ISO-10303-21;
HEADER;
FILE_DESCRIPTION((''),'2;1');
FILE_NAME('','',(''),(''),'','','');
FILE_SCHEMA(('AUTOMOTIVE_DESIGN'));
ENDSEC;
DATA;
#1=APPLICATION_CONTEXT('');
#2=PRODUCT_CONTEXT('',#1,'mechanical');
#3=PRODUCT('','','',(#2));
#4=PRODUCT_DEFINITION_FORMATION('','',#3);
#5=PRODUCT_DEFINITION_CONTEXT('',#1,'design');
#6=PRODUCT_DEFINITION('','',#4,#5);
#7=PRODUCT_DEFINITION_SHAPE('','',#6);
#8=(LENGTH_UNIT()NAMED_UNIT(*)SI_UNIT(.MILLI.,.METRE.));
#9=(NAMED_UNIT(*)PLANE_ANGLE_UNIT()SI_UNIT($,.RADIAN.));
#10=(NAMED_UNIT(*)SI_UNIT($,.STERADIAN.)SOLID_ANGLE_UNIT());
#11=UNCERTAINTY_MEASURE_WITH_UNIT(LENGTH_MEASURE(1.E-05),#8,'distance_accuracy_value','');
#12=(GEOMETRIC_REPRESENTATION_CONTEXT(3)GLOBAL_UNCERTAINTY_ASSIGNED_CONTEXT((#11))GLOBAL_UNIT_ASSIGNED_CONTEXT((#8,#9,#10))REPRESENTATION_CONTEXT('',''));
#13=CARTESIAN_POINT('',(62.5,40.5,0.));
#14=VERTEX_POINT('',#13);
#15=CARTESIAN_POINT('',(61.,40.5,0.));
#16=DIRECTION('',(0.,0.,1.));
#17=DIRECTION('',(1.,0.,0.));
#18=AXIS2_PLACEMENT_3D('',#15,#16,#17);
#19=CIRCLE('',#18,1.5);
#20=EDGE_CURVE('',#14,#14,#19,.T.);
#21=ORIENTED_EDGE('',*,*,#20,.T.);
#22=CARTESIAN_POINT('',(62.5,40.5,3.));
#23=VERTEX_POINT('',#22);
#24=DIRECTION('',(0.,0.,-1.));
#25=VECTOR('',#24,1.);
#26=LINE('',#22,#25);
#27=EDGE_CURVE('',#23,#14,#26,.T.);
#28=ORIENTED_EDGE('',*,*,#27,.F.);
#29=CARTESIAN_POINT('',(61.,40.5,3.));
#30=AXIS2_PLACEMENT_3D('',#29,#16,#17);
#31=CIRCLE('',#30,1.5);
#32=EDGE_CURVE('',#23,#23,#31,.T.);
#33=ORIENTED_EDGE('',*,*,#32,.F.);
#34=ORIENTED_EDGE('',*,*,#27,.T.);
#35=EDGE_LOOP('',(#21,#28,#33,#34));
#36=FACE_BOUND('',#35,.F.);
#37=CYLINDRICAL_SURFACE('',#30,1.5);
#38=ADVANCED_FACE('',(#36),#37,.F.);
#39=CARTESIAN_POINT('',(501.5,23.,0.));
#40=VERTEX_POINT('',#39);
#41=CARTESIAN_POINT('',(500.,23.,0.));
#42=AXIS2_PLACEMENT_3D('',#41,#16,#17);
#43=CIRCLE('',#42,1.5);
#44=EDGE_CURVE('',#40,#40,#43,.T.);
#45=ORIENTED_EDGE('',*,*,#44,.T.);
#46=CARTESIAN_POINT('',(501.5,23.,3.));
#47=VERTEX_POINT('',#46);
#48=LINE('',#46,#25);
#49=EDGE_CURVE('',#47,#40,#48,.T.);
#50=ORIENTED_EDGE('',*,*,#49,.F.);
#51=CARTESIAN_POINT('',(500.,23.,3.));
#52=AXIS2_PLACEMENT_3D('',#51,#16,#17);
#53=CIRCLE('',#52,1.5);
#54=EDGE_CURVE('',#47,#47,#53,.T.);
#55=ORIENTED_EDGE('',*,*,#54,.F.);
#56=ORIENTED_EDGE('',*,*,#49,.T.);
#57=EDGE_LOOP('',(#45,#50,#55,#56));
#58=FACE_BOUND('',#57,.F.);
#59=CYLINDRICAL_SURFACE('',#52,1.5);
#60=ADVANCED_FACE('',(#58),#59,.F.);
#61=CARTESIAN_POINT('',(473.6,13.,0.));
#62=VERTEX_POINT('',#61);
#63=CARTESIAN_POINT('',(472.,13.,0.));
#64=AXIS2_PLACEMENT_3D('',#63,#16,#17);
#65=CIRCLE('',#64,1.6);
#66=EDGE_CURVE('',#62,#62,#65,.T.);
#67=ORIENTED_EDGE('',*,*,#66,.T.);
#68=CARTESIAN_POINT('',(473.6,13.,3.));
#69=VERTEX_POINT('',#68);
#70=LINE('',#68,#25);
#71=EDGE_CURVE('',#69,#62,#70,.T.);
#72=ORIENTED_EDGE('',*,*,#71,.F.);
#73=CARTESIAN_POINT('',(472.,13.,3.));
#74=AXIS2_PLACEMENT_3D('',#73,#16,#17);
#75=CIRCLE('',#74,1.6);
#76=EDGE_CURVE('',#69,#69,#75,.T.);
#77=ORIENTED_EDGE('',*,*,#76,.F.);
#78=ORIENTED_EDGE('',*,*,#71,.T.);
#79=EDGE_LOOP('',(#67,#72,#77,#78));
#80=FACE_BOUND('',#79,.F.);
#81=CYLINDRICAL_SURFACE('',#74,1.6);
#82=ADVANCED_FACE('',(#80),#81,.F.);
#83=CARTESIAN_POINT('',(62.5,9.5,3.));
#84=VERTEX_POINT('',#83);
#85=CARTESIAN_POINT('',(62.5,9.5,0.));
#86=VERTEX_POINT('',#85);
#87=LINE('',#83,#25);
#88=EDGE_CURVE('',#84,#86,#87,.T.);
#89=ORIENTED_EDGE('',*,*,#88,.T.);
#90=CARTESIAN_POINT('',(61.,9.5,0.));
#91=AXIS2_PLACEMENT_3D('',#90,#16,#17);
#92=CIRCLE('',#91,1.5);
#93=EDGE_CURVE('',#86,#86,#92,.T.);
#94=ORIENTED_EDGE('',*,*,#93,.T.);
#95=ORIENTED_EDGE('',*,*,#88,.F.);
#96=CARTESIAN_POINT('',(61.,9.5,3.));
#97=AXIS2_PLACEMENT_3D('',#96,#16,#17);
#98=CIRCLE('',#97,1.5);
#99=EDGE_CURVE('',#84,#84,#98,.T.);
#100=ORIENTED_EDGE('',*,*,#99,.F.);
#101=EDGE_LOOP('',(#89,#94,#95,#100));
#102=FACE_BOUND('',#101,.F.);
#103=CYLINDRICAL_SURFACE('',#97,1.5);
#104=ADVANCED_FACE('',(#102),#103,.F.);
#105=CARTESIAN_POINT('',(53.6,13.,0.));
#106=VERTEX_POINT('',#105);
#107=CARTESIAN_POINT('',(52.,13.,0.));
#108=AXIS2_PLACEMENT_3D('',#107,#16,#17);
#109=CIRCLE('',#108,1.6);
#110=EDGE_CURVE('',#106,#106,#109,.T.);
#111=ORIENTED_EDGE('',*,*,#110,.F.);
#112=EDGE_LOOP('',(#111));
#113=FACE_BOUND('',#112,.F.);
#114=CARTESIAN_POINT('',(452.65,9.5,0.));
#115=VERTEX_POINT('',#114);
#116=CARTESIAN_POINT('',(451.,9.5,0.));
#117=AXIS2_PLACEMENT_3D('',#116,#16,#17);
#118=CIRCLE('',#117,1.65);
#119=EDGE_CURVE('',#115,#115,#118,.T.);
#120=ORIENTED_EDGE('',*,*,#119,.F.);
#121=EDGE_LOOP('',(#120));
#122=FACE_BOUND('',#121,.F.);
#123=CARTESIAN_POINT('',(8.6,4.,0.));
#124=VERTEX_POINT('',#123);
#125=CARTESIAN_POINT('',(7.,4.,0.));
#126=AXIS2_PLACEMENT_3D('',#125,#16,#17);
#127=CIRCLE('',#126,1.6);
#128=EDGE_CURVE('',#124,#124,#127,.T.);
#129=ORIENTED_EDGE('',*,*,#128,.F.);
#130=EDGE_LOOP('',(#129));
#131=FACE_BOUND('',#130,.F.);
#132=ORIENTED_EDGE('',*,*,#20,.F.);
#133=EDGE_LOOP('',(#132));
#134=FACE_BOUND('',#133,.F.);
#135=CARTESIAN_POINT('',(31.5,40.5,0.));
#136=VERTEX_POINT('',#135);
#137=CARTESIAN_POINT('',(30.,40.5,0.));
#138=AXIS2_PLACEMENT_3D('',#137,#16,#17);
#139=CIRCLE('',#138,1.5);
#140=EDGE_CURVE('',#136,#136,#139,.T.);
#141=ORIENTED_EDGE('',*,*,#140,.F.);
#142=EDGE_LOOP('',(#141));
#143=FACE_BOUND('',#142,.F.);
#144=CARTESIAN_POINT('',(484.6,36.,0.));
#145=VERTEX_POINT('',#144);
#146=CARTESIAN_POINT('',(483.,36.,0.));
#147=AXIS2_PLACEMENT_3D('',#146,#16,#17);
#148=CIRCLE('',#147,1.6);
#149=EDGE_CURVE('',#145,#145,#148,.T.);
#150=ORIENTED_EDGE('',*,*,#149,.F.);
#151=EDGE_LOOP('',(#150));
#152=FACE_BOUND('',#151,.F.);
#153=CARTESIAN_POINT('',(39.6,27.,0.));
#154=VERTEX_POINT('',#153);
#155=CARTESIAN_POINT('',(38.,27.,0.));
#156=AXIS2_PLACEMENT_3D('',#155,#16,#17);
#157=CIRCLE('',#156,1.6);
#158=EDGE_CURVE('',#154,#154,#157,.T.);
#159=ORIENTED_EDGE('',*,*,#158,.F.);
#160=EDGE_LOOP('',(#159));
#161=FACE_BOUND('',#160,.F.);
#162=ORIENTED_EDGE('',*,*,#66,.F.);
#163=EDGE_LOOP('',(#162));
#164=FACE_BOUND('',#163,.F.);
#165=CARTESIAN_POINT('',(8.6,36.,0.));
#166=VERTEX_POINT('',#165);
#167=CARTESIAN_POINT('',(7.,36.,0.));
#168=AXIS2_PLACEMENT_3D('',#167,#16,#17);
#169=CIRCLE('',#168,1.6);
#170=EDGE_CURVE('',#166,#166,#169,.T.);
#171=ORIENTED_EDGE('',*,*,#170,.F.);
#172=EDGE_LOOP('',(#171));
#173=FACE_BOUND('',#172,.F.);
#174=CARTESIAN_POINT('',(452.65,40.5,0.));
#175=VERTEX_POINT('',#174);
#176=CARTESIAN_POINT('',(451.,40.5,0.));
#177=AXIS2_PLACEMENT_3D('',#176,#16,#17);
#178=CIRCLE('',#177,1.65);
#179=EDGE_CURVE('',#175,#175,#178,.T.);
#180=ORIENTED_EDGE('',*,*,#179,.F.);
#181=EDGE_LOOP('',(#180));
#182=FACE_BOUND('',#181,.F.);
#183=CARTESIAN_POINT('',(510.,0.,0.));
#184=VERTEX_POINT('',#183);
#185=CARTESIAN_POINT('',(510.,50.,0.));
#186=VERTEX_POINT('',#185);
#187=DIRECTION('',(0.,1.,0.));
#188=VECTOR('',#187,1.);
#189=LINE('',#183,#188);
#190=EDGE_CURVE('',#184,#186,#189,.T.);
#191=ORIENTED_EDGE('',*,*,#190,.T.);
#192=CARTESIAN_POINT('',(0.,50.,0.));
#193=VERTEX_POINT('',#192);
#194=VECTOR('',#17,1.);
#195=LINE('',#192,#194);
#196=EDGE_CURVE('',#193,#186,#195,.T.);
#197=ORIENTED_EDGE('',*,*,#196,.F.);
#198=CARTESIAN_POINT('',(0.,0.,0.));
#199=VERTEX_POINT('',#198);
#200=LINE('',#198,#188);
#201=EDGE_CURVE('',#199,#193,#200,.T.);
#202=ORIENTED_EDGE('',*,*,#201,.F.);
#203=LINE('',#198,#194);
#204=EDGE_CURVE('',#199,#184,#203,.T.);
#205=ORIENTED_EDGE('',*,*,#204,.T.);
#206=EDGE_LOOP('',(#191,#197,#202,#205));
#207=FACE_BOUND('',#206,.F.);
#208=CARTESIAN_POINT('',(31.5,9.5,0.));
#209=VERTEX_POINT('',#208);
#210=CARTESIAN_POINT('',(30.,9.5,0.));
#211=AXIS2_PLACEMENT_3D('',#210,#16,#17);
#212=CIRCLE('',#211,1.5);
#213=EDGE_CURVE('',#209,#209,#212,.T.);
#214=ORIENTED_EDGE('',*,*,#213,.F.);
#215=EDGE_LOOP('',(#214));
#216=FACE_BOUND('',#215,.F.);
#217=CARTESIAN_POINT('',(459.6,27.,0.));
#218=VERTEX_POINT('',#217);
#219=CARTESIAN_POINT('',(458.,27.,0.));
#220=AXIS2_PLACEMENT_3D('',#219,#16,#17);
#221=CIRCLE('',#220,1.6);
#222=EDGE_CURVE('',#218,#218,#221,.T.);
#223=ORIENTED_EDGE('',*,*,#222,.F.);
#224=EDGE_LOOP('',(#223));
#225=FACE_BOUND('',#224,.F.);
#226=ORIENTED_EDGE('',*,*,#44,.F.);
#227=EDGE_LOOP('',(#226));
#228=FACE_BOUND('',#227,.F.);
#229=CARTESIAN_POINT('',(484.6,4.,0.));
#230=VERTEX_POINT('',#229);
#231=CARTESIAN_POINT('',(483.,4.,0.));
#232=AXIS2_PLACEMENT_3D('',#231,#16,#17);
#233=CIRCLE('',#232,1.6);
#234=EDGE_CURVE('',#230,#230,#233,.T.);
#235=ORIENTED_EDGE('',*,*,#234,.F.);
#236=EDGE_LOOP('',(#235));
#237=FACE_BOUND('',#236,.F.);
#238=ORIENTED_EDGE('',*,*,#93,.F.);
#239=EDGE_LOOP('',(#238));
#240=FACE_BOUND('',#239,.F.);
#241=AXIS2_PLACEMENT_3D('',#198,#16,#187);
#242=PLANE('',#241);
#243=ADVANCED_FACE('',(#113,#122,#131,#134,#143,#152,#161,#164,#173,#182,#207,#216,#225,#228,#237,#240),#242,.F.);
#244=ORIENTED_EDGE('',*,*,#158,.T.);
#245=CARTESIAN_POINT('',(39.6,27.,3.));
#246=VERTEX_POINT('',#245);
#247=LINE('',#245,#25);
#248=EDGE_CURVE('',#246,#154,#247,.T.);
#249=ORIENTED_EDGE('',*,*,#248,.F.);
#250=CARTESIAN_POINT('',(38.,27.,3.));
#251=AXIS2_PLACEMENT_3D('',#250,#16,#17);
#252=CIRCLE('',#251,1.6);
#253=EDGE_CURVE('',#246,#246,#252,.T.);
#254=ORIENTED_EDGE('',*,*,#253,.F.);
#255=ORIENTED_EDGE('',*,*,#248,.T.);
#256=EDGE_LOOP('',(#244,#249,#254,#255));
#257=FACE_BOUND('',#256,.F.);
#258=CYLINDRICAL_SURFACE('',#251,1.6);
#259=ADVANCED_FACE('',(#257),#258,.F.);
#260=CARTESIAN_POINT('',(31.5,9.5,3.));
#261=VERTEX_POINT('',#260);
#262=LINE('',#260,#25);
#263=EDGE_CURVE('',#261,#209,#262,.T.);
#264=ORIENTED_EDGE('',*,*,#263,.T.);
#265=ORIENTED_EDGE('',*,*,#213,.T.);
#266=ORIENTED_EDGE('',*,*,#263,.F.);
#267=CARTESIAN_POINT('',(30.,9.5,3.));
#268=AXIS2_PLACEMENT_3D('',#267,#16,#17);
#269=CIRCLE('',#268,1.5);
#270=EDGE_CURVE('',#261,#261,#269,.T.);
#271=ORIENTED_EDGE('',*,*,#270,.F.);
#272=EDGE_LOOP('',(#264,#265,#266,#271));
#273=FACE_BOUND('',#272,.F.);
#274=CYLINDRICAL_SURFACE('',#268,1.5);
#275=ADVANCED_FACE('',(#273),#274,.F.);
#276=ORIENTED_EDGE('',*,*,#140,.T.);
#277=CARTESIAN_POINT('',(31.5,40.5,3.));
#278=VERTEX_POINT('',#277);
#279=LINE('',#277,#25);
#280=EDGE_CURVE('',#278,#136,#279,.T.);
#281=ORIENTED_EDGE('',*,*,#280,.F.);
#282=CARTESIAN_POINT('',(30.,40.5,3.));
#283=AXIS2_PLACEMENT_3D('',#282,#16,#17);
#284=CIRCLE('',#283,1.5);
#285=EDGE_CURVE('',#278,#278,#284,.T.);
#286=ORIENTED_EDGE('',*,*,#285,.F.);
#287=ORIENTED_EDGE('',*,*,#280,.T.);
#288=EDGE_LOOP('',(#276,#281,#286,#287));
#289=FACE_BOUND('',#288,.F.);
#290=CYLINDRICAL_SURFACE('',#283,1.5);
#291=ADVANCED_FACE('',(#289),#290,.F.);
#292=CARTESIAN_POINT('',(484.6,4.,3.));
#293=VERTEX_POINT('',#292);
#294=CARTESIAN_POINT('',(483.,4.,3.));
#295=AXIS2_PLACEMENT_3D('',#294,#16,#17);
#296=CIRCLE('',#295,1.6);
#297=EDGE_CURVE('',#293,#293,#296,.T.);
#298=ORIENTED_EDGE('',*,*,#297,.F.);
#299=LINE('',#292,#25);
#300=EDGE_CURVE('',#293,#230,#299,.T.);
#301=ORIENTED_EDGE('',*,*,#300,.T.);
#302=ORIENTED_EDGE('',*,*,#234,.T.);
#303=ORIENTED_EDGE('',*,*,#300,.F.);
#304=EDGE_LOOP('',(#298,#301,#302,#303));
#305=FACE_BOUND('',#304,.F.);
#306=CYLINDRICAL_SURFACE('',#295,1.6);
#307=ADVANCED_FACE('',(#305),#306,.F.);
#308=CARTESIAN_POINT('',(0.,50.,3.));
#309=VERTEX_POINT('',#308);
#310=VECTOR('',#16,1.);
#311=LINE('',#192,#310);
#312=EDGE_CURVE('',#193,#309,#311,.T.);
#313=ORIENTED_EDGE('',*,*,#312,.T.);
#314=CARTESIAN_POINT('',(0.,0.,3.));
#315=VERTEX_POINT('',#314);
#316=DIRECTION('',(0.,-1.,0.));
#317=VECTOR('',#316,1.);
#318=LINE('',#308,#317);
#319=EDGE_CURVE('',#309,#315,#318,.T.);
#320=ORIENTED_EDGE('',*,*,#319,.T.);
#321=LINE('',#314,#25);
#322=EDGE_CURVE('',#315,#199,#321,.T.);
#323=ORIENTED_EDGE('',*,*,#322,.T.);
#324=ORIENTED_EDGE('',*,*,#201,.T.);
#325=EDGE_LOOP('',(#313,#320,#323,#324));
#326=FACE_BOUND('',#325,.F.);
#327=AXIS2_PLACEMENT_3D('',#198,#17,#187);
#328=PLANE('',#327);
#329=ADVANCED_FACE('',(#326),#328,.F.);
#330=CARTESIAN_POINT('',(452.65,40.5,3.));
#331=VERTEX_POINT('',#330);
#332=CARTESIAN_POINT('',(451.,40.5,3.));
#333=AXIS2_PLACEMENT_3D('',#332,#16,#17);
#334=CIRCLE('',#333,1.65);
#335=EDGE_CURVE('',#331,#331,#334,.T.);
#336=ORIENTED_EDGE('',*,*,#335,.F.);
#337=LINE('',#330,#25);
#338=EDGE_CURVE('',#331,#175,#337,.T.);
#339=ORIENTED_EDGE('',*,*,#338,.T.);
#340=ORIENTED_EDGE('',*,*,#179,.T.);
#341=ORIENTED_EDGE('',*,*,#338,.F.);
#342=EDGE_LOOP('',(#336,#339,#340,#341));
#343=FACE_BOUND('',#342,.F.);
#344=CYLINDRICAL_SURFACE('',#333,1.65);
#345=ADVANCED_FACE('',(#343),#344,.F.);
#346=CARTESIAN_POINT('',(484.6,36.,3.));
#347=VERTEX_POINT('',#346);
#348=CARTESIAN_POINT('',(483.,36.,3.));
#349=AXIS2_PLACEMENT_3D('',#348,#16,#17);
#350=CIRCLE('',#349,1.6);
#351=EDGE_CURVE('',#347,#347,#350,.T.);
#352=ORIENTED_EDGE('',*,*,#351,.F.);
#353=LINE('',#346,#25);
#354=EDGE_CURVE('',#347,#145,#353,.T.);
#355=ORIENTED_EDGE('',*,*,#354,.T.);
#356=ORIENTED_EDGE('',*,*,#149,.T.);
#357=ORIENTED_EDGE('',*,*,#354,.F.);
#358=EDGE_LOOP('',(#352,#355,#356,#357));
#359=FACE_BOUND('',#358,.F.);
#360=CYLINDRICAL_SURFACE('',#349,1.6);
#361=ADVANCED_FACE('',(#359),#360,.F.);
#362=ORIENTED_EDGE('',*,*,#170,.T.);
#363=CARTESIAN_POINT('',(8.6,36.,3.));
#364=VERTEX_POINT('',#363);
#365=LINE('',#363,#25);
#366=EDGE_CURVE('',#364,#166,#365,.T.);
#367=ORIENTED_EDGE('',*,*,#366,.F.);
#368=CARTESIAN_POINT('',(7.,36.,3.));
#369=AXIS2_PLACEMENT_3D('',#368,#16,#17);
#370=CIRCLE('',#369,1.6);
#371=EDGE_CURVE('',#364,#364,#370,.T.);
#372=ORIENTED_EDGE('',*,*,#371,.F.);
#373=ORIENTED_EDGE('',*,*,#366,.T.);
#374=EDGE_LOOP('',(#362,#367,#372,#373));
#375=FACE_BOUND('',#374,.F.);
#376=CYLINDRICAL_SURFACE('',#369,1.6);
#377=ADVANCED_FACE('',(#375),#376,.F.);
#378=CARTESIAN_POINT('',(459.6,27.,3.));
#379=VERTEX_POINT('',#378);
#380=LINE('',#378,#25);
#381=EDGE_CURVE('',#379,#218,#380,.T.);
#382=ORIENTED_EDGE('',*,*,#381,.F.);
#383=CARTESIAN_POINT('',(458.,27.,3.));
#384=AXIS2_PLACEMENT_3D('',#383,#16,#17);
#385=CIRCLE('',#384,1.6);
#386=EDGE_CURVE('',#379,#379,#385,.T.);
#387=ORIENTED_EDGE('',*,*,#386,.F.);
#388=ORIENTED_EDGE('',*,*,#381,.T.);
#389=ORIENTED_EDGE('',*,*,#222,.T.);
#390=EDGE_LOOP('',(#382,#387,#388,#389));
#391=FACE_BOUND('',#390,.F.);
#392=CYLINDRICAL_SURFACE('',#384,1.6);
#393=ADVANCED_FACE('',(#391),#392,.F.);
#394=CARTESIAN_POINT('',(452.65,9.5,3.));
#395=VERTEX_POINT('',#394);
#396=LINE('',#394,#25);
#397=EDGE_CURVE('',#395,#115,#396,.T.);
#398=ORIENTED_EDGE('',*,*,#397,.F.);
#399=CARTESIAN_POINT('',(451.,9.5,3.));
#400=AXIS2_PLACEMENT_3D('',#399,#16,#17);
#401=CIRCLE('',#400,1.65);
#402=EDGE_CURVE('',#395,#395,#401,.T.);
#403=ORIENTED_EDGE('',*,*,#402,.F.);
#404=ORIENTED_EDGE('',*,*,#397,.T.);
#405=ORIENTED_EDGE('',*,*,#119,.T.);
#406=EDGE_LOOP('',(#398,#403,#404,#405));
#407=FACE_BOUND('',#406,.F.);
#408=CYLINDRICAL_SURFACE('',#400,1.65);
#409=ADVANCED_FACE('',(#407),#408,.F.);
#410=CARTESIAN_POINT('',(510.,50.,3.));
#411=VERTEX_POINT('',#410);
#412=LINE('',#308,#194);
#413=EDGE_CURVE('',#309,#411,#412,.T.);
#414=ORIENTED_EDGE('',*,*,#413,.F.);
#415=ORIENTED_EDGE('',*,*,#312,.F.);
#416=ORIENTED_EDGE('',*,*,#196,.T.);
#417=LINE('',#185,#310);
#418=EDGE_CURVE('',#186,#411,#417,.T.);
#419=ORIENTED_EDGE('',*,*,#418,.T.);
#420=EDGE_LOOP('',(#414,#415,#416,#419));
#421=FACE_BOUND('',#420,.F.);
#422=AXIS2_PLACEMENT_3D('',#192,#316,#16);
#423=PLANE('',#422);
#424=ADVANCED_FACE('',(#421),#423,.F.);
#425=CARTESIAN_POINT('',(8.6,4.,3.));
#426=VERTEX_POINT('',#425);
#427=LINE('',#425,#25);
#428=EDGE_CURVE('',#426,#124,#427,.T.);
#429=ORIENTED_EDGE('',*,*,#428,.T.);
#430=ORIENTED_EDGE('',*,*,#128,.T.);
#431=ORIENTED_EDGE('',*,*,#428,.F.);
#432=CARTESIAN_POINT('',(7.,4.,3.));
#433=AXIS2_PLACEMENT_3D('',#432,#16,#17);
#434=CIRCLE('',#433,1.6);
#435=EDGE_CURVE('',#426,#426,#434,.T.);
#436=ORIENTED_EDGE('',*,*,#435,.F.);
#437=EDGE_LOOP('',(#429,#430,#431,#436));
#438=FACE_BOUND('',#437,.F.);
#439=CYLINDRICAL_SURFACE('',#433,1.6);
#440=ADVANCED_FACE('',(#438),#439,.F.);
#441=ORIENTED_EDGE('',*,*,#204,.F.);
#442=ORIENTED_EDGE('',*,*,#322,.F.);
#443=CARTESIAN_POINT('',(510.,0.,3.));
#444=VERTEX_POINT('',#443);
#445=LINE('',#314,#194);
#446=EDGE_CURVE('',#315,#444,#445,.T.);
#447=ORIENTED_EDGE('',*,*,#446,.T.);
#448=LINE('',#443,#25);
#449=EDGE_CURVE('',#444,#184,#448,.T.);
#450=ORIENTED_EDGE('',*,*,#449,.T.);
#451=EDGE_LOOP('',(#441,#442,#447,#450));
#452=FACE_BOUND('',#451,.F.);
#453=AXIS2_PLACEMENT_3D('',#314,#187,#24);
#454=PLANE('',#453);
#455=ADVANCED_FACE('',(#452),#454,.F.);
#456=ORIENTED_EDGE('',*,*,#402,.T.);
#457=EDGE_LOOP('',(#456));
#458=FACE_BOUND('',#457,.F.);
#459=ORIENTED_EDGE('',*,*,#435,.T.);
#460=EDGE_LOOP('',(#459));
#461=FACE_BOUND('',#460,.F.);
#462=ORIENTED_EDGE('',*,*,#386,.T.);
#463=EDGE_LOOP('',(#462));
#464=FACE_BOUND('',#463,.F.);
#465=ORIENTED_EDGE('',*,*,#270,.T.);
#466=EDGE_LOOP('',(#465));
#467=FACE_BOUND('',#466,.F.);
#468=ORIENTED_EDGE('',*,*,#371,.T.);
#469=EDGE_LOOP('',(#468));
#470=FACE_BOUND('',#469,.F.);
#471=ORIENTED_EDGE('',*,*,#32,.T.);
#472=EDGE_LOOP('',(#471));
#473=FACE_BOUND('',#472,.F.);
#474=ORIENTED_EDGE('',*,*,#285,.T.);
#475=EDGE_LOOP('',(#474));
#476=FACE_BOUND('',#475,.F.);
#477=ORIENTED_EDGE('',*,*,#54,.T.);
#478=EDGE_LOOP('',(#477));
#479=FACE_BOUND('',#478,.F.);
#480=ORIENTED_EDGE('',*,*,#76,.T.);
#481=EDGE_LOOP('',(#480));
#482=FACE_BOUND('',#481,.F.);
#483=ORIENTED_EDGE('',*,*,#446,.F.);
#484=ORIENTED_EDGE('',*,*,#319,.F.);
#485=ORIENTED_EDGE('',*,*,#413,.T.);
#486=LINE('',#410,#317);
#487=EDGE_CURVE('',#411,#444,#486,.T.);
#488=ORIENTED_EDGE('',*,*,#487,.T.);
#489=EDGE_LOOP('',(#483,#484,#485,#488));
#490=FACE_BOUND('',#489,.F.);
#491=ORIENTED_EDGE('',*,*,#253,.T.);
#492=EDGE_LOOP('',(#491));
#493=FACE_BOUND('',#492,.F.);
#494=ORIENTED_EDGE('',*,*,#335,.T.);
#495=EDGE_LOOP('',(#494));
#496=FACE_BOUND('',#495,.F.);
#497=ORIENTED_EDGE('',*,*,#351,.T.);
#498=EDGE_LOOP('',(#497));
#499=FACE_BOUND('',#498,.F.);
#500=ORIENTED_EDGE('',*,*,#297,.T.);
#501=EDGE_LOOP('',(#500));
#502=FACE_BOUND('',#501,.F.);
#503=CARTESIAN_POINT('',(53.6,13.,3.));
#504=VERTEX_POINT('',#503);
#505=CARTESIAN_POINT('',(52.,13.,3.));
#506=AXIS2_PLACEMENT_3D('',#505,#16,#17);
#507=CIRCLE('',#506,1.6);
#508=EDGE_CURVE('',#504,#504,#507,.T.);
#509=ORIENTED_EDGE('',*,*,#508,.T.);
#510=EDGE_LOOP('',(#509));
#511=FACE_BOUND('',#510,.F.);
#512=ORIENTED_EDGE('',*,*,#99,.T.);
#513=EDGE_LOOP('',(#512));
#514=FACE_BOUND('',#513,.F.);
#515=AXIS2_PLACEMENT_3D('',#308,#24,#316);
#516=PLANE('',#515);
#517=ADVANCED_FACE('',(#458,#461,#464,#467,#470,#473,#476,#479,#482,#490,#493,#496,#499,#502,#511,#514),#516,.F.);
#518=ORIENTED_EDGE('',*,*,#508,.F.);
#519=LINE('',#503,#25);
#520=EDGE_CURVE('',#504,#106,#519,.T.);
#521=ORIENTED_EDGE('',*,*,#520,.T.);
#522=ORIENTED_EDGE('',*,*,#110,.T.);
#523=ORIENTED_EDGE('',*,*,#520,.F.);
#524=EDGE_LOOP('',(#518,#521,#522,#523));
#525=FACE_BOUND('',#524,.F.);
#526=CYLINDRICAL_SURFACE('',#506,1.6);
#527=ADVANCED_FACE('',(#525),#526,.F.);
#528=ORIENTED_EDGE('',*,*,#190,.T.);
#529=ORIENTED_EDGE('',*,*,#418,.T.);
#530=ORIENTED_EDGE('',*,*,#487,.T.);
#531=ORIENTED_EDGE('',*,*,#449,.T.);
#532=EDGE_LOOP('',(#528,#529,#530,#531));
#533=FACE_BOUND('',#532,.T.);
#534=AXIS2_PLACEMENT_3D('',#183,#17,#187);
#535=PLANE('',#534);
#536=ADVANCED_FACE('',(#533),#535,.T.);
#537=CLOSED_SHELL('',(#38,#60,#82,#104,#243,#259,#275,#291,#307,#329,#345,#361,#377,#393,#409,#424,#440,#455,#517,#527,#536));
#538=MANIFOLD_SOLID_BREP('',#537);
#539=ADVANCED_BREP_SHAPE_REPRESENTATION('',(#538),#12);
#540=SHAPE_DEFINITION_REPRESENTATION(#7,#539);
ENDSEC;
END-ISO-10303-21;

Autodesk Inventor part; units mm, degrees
ref_plane "YZ Plane" through (0, 0, 0) normal (1, 0, 0) x (0, 1, 0)
ref_plane "XZ Plane" through (0, 0, 0) normal (0, 1, 0) x (-1, 0, 0)
ref_plane "XY Plane" through (0, 0, 0) normal (0, 0, 1) x (1, 0, 0)
sketch "Sketch1" plane through (0, 0, 0) normal (1, 0, 0) x (0, 1, 0)
  line L0 (0, 0) -> (50, 0)
  line L1 (50, 0) -> (50, 3)
  line L2 (50, 3) -> (0, 3)
  line L3 (0, 3) -> (0, 0)
  dimension "d0" = 50
  dimension "d1" = 3
extrude "Extrusion1" add sketch "Sketch1" along normal blind 510
sketch "Sketch2" plane through (0, 0, 3) normal (0, 0, 1) x (1, 0, 0)
  line L0 (0, 0) -> (510, 0) projected
  line L1 (0, 50) -> (510, 50) projected
  line L2 (0, 50) -> (0, 0) projected
  line L3 (510, 50) -> (510, 0) projected
  line L4 (30, 9.5) -> (61, 9.5) construction
  line L5 (61, 9.5) -> (61, 40.5) construction
  line L6 (61, 40.5) -> (30, 40.5) construction
  line L7 (30, 40.5) -> (30, 9.5) construction
  circle A0 centre (30, 40.5) radius 1.5
  circle A1 centre (61, 40.5) radius 1.5
  circle A2 centre (61, 9.5) radius 1.5
  circle A3 centre (30, 9.5) radius 1.5
  circle A4 centre (500, 23) radius 1.5
  circle A5 centre (472, 13) radius 1.6 projected
  circle A6 centre (458, 27) radius 1.6 projected
  circle A7 centre (451, 40.5) radius 1.65 projected
  circle A8 centre (451, 9.5) radius 1.65 projected
  circle A9 centre (52, 13) radius 1.6 projected
  circle A10 centre (38, 27) radius 1.6 projected
  circle A11 centre (483, 36) radius 1.6 projected
  circle A12 centre (483, 4) radius 1.6 projected
  circle A13 centre (7, 36) radius 1.6 projected
  circle A14 centre (7, 4) radius 1.6 projected
  point P0 (30, 25)
  point P1 (510, 25)
  dimension "d12" = 31
  dimension "d13" = 31
  dimension "d14" = 30
  dimension "d15" = 3
  dimension "d16" = 3
  dimension "d17" = 3
  dimension "d18" = 3
  dimension "d26" = 3
  dimension "d27" = 10
  dimension "d35" = 23
extrude "Extrusion2" cut sketch "Sketch2" against normal blind 10 contours A0 | A1 | A2 | A3 | A4 | A5 | A6 | A7 | A8 | A9 | A10 | A11 | A12 | A13 | A14
equation "\"d12\" = d13"
properties part number "X Rail"
